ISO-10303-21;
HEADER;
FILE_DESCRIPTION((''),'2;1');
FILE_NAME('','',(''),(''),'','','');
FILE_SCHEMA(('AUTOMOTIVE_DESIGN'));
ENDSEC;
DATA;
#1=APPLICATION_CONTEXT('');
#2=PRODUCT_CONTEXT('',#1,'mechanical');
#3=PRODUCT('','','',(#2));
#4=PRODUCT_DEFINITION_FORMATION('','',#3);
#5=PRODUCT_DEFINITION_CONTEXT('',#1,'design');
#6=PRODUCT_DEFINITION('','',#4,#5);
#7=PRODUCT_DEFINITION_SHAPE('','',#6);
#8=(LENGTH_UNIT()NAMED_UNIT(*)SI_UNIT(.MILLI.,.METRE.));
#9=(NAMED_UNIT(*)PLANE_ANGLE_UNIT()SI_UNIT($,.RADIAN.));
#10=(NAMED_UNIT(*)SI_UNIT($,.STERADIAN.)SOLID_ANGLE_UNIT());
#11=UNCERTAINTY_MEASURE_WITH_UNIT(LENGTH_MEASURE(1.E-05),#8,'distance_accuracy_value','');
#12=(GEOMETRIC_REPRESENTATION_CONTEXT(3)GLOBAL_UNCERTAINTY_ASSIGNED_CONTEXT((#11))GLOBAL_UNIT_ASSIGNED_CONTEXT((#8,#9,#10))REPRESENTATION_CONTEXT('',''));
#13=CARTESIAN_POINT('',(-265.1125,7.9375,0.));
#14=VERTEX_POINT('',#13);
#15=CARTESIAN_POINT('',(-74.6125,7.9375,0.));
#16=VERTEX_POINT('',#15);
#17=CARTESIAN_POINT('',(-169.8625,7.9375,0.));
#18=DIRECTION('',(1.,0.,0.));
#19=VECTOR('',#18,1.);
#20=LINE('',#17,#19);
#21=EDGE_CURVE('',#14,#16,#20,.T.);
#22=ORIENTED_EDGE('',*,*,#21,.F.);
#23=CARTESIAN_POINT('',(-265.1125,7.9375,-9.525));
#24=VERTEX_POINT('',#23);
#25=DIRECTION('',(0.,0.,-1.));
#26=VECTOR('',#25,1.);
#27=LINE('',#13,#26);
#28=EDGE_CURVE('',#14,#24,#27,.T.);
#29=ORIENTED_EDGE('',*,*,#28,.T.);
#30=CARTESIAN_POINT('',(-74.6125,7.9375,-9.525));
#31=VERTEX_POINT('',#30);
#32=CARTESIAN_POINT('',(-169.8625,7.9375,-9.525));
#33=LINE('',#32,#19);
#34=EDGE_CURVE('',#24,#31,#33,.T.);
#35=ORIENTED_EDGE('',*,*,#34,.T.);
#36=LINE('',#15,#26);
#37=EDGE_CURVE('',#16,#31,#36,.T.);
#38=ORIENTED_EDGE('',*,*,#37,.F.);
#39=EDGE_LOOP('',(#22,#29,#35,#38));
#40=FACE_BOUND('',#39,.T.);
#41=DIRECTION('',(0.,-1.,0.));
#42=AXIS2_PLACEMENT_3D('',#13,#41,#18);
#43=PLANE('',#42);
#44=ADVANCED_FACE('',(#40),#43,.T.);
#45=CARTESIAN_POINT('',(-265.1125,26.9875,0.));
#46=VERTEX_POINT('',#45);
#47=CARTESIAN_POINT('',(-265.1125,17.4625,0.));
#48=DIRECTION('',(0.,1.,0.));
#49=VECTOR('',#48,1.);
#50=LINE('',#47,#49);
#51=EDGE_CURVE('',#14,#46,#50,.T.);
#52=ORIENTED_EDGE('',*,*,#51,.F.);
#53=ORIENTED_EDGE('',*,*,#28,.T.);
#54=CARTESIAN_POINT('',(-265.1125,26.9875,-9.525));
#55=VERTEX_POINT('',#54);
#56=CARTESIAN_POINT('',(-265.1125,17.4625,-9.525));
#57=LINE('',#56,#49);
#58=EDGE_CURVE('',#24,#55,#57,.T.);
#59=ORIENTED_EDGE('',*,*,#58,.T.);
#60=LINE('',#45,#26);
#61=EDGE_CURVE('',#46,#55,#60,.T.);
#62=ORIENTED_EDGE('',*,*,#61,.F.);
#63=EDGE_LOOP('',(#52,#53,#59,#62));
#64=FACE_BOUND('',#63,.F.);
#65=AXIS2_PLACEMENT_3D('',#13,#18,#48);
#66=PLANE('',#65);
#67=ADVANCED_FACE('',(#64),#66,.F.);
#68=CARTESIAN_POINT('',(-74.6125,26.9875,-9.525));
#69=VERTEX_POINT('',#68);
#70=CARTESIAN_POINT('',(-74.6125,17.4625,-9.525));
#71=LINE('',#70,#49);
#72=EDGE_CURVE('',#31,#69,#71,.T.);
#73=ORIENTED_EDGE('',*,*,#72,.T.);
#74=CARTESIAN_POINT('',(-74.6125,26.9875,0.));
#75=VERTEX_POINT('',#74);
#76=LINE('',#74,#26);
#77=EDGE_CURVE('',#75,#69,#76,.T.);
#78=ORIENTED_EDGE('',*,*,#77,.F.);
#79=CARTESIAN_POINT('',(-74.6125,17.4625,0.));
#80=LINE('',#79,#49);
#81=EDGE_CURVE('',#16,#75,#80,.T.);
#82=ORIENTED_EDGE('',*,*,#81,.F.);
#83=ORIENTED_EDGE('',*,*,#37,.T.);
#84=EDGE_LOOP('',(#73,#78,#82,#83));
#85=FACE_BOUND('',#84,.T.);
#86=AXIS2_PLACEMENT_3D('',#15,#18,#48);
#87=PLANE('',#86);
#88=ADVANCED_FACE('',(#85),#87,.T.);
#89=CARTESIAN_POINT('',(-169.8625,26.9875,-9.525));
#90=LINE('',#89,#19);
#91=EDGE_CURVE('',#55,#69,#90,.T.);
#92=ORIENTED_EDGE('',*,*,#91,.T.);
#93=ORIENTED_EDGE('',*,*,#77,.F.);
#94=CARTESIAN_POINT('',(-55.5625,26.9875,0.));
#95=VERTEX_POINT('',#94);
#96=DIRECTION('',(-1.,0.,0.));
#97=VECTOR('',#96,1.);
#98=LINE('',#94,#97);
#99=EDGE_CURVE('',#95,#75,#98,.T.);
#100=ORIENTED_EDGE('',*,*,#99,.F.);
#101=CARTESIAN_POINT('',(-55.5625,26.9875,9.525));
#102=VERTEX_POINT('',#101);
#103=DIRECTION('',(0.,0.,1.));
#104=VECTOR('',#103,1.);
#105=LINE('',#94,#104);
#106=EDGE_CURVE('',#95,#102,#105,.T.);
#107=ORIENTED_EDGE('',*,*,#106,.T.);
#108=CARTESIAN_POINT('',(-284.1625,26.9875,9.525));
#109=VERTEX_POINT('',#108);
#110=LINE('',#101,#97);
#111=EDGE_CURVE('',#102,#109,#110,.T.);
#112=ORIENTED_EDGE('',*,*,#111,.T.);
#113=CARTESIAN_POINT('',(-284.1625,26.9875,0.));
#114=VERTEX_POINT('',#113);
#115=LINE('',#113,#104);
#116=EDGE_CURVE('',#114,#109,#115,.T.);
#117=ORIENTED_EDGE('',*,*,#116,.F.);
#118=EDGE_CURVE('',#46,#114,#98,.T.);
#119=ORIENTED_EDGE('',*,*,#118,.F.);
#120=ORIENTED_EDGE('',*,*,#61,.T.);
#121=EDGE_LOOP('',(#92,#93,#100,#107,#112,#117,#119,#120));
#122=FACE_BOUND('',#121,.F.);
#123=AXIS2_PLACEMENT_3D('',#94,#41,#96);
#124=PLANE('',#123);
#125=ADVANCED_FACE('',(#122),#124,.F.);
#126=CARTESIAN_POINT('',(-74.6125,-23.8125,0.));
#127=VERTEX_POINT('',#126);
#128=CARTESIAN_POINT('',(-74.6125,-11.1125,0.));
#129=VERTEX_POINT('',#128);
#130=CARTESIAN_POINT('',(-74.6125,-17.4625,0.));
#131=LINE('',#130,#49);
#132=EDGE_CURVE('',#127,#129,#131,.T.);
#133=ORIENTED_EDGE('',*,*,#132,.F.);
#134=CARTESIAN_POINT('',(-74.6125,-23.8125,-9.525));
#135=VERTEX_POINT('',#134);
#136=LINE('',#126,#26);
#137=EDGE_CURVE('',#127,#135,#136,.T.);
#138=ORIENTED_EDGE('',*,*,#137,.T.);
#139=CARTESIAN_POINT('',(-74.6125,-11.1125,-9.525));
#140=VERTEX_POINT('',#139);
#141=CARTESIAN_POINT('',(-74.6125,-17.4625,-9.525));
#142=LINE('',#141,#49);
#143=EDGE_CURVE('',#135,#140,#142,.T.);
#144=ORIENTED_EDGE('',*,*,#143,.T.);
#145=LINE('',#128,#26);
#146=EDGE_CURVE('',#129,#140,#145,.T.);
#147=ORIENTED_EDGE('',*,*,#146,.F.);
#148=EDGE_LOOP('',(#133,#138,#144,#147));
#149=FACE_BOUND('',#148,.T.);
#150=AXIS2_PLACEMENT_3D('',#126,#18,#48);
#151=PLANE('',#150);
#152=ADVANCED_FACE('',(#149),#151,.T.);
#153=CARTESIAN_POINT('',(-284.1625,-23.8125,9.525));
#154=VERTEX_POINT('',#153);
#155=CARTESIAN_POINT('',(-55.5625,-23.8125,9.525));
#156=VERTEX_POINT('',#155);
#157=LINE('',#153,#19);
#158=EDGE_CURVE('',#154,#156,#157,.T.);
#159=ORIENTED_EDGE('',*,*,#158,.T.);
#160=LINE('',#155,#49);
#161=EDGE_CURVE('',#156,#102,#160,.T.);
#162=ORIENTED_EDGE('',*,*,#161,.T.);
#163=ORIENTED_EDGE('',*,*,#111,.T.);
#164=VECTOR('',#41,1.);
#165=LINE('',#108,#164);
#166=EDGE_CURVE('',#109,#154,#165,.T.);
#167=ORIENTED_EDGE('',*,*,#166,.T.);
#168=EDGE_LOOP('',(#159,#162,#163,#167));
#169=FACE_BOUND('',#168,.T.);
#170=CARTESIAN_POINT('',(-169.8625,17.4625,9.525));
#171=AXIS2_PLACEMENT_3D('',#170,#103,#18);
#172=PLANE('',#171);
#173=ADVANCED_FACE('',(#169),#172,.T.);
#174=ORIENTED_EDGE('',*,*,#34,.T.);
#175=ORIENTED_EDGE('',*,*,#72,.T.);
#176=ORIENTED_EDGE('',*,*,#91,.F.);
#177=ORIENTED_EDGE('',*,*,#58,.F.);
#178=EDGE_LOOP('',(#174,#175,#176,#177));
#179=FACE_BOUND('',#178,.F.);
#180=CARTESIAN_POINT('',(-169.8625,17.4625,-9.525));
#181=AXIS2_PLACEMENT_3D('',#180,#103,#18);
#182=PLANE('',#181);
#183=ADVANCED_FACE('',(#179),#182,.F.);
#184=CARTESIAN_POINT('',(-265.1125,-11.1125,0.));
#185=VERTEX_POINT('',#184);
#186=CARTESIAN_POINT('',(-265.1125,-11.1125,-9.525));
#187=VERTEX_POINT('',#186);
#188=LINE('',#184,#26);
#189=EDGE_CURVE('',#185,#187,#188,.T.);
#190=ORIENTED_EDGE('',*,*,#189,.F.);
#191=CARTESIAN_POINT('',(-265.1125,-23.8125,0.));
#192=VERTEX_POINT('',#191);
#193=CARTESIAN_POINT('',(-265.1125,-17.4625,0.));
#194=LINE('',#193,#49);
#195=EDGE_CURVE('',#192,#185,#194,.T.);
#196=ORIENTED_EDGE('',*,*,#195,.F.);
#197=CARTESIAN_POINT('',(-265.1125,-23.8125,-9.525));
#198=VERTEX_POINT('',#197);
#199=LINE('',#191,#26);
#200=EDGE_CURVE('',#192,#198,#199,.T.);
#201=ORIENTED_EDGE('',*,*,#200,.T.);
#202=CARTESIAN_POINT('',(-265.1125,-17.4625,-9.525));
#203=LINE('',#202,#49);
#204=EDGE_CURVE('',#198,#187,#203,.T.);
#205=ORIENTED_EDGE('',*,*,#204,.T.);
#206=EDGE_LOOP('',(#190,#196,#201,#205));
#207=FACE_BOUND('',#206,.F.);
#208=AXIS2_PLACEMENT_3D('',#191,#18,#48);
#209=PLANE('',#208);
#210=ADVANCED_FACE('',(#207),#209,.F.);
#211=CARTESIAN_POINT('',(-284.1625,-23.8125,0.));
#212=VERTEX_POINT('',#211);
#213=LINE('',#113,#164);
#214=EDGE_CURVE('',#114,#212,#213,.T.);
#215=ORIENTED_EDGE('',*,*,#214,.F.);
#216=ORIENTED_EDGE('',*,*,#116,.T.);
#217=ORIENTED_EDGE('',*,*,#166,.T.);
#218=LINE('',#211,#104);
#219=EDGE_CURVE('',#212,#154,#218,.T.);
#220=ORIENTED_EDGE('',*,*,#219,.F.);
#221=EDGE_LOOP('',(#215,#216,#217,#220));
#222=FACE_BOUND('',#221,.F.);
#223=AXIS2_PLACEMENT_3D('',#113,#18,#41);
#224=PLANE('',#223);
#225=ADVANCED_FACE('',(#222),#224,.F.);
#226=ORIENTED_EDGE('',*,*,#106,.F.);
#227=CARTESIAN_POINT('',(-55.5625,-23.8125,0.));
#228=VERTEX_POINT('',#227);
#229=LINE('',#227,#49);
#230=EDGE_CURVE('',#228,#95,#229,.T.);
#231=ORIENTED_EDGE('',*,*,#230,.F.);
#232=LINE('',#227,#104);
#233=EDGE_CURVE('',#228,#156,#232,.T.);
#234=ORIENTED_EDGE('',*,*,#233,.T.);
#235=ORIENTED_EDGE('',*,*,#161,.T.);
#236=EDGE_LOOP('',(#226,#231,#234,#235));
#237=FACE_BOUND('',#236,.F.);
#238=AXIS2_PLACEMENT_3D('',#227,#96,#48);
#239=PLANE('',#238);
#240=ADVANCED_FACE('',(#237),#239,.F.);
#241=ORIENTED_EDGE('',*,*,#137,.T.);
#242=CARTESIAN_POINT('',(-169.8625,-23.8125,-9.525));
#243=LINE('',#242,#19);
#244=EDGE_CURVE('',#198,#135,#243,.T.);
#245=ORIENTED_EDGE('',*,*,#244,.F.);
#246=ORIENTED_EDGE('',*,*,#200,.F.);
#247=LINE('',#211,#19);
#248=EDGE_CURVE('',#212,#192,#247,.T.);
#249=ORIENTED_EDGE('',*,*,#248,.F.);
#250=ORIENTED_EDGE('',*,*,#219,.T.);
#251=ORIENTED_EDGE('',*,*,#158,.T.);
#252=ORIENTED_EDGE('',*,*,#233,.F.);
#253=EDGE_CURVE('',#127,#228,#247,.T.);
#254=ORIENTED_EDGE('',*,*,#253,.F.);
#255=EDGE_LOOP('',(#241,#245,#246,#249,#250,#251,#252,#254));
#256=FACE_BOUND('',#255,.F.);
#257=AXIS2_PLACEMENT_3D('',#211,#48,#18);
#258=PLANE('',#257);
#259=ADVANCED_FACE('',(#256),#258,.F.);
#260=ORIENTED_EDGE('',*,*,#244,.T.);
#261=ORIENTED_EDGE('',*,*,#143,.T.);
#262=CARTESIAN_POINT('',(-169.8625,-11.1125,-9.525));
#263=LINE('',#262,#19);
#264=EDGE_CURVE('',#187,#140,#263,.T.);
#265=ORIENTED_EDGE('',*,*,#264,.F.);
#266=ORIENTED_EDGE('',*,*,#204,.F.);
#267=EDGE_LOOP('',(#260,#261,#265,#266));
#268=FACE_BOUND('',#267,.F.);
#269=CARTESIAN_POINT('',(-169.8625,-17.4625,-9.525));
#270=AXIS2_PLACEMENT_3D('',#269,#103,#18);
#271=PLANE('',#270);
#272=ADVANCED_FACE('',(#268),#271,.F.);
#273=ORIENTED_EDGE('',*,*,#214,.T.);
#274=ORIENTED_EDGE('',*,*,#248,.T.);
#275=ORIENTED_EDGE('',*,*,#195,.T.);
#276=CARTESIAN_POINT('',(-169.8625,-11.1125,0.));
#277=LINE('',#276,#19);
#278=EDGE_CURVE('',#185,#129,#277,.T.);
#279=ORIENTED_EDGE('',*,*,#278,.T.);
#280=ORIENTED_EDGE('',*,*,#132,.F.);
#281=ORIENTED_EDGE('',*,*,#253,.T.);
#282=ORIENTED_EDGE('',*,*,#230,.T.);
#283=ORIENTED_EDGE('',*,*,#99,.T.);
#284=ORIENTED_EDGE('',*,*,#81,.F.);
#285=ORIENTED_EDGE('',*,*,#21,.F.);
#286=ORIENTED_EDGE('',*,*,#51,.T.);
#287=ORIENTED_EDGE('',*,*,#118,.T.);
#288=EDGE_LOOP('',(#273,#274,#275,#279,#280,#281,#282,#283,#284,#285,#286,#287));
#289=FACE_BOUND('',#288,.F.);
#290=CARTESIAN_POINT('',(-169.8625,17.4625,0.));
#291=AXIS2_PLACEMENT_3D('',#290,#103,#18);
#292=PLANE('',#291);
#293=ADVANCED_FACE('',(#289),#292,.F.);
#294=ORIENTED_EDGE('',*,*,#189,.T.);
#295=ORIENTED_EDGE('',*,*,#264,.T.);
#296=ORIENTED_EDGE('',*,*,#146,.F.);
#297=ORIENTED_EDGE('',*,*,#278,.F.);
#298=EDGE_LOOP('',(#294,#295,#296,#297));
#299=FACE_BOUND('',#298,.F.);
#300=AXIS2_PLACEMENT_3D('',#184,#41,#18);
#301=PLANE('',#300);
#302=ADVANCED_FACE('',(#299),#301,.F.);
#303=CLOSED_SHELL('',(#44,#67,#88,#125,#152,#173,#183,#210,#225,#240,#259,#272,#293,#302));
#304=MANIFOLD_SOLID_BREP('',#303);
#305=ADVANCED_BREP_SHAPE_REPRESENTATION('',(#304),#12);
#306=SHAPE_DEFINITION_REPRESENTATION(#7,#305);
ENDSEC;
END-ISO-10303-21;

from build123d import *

# Parameters (mm, degrees)
F0_W     = 190.5
F0_H     = 19.05
F0_W_2   = 19.05
F0_H_2   = 12.7
F1_DEPTH = 9.525
F2_DEPTH = 9.525


with BuildPart() as f1:
    # F0 (on Top) → F1 (new body)
    with BuildSketch(Plane.XY):
        with Locations((-169.8625, 17.4625)):
            Rectangle(F0_W, F0_H)
        with Locations((-274.6375, 17.4625)):
            Rectangle(F0_W_2, F0_H)
        with Locations((-169.8625, -1.5875)):
            Rectangle(F0_W, F0_H)
        with Locations((-169.8625, -17.4625)):
            Rectangle(F0_W, F0_H_2)
        with Locations((-274.6375, -17.4625)):
            Rectangle(F0_W_2, F0_H_2)
        with Locations((-274.6375, -1.5875)):
            Rectangle(F0_W_2, F0_H)
        with Locations((-65.0875, 17.4625)):
            Rectangle(F0_W_2, F0_H)
        with Locations((-65.0875, -17.4625)):
            Rectangle(F0_W_2, F0_H_2)
        with Locations((-65.0875, -1.5875)):
            Rectangle(F0_W_2, F0_H)
    extrude(amount=F1_DEPTH)

    # F0 (on Top) → F2 (join)
    with BuildSketch(Plane.XY):
        with Locations((-169.8625, 17.4625)):
            Rectangle(F0_W, F0_H)
        with Locations((-169.8625, -17.4625)):
            Rectangle(F0_W, F0_H_2)
    extrude(amount=-F2_DEPTH)


solid = f1.part
